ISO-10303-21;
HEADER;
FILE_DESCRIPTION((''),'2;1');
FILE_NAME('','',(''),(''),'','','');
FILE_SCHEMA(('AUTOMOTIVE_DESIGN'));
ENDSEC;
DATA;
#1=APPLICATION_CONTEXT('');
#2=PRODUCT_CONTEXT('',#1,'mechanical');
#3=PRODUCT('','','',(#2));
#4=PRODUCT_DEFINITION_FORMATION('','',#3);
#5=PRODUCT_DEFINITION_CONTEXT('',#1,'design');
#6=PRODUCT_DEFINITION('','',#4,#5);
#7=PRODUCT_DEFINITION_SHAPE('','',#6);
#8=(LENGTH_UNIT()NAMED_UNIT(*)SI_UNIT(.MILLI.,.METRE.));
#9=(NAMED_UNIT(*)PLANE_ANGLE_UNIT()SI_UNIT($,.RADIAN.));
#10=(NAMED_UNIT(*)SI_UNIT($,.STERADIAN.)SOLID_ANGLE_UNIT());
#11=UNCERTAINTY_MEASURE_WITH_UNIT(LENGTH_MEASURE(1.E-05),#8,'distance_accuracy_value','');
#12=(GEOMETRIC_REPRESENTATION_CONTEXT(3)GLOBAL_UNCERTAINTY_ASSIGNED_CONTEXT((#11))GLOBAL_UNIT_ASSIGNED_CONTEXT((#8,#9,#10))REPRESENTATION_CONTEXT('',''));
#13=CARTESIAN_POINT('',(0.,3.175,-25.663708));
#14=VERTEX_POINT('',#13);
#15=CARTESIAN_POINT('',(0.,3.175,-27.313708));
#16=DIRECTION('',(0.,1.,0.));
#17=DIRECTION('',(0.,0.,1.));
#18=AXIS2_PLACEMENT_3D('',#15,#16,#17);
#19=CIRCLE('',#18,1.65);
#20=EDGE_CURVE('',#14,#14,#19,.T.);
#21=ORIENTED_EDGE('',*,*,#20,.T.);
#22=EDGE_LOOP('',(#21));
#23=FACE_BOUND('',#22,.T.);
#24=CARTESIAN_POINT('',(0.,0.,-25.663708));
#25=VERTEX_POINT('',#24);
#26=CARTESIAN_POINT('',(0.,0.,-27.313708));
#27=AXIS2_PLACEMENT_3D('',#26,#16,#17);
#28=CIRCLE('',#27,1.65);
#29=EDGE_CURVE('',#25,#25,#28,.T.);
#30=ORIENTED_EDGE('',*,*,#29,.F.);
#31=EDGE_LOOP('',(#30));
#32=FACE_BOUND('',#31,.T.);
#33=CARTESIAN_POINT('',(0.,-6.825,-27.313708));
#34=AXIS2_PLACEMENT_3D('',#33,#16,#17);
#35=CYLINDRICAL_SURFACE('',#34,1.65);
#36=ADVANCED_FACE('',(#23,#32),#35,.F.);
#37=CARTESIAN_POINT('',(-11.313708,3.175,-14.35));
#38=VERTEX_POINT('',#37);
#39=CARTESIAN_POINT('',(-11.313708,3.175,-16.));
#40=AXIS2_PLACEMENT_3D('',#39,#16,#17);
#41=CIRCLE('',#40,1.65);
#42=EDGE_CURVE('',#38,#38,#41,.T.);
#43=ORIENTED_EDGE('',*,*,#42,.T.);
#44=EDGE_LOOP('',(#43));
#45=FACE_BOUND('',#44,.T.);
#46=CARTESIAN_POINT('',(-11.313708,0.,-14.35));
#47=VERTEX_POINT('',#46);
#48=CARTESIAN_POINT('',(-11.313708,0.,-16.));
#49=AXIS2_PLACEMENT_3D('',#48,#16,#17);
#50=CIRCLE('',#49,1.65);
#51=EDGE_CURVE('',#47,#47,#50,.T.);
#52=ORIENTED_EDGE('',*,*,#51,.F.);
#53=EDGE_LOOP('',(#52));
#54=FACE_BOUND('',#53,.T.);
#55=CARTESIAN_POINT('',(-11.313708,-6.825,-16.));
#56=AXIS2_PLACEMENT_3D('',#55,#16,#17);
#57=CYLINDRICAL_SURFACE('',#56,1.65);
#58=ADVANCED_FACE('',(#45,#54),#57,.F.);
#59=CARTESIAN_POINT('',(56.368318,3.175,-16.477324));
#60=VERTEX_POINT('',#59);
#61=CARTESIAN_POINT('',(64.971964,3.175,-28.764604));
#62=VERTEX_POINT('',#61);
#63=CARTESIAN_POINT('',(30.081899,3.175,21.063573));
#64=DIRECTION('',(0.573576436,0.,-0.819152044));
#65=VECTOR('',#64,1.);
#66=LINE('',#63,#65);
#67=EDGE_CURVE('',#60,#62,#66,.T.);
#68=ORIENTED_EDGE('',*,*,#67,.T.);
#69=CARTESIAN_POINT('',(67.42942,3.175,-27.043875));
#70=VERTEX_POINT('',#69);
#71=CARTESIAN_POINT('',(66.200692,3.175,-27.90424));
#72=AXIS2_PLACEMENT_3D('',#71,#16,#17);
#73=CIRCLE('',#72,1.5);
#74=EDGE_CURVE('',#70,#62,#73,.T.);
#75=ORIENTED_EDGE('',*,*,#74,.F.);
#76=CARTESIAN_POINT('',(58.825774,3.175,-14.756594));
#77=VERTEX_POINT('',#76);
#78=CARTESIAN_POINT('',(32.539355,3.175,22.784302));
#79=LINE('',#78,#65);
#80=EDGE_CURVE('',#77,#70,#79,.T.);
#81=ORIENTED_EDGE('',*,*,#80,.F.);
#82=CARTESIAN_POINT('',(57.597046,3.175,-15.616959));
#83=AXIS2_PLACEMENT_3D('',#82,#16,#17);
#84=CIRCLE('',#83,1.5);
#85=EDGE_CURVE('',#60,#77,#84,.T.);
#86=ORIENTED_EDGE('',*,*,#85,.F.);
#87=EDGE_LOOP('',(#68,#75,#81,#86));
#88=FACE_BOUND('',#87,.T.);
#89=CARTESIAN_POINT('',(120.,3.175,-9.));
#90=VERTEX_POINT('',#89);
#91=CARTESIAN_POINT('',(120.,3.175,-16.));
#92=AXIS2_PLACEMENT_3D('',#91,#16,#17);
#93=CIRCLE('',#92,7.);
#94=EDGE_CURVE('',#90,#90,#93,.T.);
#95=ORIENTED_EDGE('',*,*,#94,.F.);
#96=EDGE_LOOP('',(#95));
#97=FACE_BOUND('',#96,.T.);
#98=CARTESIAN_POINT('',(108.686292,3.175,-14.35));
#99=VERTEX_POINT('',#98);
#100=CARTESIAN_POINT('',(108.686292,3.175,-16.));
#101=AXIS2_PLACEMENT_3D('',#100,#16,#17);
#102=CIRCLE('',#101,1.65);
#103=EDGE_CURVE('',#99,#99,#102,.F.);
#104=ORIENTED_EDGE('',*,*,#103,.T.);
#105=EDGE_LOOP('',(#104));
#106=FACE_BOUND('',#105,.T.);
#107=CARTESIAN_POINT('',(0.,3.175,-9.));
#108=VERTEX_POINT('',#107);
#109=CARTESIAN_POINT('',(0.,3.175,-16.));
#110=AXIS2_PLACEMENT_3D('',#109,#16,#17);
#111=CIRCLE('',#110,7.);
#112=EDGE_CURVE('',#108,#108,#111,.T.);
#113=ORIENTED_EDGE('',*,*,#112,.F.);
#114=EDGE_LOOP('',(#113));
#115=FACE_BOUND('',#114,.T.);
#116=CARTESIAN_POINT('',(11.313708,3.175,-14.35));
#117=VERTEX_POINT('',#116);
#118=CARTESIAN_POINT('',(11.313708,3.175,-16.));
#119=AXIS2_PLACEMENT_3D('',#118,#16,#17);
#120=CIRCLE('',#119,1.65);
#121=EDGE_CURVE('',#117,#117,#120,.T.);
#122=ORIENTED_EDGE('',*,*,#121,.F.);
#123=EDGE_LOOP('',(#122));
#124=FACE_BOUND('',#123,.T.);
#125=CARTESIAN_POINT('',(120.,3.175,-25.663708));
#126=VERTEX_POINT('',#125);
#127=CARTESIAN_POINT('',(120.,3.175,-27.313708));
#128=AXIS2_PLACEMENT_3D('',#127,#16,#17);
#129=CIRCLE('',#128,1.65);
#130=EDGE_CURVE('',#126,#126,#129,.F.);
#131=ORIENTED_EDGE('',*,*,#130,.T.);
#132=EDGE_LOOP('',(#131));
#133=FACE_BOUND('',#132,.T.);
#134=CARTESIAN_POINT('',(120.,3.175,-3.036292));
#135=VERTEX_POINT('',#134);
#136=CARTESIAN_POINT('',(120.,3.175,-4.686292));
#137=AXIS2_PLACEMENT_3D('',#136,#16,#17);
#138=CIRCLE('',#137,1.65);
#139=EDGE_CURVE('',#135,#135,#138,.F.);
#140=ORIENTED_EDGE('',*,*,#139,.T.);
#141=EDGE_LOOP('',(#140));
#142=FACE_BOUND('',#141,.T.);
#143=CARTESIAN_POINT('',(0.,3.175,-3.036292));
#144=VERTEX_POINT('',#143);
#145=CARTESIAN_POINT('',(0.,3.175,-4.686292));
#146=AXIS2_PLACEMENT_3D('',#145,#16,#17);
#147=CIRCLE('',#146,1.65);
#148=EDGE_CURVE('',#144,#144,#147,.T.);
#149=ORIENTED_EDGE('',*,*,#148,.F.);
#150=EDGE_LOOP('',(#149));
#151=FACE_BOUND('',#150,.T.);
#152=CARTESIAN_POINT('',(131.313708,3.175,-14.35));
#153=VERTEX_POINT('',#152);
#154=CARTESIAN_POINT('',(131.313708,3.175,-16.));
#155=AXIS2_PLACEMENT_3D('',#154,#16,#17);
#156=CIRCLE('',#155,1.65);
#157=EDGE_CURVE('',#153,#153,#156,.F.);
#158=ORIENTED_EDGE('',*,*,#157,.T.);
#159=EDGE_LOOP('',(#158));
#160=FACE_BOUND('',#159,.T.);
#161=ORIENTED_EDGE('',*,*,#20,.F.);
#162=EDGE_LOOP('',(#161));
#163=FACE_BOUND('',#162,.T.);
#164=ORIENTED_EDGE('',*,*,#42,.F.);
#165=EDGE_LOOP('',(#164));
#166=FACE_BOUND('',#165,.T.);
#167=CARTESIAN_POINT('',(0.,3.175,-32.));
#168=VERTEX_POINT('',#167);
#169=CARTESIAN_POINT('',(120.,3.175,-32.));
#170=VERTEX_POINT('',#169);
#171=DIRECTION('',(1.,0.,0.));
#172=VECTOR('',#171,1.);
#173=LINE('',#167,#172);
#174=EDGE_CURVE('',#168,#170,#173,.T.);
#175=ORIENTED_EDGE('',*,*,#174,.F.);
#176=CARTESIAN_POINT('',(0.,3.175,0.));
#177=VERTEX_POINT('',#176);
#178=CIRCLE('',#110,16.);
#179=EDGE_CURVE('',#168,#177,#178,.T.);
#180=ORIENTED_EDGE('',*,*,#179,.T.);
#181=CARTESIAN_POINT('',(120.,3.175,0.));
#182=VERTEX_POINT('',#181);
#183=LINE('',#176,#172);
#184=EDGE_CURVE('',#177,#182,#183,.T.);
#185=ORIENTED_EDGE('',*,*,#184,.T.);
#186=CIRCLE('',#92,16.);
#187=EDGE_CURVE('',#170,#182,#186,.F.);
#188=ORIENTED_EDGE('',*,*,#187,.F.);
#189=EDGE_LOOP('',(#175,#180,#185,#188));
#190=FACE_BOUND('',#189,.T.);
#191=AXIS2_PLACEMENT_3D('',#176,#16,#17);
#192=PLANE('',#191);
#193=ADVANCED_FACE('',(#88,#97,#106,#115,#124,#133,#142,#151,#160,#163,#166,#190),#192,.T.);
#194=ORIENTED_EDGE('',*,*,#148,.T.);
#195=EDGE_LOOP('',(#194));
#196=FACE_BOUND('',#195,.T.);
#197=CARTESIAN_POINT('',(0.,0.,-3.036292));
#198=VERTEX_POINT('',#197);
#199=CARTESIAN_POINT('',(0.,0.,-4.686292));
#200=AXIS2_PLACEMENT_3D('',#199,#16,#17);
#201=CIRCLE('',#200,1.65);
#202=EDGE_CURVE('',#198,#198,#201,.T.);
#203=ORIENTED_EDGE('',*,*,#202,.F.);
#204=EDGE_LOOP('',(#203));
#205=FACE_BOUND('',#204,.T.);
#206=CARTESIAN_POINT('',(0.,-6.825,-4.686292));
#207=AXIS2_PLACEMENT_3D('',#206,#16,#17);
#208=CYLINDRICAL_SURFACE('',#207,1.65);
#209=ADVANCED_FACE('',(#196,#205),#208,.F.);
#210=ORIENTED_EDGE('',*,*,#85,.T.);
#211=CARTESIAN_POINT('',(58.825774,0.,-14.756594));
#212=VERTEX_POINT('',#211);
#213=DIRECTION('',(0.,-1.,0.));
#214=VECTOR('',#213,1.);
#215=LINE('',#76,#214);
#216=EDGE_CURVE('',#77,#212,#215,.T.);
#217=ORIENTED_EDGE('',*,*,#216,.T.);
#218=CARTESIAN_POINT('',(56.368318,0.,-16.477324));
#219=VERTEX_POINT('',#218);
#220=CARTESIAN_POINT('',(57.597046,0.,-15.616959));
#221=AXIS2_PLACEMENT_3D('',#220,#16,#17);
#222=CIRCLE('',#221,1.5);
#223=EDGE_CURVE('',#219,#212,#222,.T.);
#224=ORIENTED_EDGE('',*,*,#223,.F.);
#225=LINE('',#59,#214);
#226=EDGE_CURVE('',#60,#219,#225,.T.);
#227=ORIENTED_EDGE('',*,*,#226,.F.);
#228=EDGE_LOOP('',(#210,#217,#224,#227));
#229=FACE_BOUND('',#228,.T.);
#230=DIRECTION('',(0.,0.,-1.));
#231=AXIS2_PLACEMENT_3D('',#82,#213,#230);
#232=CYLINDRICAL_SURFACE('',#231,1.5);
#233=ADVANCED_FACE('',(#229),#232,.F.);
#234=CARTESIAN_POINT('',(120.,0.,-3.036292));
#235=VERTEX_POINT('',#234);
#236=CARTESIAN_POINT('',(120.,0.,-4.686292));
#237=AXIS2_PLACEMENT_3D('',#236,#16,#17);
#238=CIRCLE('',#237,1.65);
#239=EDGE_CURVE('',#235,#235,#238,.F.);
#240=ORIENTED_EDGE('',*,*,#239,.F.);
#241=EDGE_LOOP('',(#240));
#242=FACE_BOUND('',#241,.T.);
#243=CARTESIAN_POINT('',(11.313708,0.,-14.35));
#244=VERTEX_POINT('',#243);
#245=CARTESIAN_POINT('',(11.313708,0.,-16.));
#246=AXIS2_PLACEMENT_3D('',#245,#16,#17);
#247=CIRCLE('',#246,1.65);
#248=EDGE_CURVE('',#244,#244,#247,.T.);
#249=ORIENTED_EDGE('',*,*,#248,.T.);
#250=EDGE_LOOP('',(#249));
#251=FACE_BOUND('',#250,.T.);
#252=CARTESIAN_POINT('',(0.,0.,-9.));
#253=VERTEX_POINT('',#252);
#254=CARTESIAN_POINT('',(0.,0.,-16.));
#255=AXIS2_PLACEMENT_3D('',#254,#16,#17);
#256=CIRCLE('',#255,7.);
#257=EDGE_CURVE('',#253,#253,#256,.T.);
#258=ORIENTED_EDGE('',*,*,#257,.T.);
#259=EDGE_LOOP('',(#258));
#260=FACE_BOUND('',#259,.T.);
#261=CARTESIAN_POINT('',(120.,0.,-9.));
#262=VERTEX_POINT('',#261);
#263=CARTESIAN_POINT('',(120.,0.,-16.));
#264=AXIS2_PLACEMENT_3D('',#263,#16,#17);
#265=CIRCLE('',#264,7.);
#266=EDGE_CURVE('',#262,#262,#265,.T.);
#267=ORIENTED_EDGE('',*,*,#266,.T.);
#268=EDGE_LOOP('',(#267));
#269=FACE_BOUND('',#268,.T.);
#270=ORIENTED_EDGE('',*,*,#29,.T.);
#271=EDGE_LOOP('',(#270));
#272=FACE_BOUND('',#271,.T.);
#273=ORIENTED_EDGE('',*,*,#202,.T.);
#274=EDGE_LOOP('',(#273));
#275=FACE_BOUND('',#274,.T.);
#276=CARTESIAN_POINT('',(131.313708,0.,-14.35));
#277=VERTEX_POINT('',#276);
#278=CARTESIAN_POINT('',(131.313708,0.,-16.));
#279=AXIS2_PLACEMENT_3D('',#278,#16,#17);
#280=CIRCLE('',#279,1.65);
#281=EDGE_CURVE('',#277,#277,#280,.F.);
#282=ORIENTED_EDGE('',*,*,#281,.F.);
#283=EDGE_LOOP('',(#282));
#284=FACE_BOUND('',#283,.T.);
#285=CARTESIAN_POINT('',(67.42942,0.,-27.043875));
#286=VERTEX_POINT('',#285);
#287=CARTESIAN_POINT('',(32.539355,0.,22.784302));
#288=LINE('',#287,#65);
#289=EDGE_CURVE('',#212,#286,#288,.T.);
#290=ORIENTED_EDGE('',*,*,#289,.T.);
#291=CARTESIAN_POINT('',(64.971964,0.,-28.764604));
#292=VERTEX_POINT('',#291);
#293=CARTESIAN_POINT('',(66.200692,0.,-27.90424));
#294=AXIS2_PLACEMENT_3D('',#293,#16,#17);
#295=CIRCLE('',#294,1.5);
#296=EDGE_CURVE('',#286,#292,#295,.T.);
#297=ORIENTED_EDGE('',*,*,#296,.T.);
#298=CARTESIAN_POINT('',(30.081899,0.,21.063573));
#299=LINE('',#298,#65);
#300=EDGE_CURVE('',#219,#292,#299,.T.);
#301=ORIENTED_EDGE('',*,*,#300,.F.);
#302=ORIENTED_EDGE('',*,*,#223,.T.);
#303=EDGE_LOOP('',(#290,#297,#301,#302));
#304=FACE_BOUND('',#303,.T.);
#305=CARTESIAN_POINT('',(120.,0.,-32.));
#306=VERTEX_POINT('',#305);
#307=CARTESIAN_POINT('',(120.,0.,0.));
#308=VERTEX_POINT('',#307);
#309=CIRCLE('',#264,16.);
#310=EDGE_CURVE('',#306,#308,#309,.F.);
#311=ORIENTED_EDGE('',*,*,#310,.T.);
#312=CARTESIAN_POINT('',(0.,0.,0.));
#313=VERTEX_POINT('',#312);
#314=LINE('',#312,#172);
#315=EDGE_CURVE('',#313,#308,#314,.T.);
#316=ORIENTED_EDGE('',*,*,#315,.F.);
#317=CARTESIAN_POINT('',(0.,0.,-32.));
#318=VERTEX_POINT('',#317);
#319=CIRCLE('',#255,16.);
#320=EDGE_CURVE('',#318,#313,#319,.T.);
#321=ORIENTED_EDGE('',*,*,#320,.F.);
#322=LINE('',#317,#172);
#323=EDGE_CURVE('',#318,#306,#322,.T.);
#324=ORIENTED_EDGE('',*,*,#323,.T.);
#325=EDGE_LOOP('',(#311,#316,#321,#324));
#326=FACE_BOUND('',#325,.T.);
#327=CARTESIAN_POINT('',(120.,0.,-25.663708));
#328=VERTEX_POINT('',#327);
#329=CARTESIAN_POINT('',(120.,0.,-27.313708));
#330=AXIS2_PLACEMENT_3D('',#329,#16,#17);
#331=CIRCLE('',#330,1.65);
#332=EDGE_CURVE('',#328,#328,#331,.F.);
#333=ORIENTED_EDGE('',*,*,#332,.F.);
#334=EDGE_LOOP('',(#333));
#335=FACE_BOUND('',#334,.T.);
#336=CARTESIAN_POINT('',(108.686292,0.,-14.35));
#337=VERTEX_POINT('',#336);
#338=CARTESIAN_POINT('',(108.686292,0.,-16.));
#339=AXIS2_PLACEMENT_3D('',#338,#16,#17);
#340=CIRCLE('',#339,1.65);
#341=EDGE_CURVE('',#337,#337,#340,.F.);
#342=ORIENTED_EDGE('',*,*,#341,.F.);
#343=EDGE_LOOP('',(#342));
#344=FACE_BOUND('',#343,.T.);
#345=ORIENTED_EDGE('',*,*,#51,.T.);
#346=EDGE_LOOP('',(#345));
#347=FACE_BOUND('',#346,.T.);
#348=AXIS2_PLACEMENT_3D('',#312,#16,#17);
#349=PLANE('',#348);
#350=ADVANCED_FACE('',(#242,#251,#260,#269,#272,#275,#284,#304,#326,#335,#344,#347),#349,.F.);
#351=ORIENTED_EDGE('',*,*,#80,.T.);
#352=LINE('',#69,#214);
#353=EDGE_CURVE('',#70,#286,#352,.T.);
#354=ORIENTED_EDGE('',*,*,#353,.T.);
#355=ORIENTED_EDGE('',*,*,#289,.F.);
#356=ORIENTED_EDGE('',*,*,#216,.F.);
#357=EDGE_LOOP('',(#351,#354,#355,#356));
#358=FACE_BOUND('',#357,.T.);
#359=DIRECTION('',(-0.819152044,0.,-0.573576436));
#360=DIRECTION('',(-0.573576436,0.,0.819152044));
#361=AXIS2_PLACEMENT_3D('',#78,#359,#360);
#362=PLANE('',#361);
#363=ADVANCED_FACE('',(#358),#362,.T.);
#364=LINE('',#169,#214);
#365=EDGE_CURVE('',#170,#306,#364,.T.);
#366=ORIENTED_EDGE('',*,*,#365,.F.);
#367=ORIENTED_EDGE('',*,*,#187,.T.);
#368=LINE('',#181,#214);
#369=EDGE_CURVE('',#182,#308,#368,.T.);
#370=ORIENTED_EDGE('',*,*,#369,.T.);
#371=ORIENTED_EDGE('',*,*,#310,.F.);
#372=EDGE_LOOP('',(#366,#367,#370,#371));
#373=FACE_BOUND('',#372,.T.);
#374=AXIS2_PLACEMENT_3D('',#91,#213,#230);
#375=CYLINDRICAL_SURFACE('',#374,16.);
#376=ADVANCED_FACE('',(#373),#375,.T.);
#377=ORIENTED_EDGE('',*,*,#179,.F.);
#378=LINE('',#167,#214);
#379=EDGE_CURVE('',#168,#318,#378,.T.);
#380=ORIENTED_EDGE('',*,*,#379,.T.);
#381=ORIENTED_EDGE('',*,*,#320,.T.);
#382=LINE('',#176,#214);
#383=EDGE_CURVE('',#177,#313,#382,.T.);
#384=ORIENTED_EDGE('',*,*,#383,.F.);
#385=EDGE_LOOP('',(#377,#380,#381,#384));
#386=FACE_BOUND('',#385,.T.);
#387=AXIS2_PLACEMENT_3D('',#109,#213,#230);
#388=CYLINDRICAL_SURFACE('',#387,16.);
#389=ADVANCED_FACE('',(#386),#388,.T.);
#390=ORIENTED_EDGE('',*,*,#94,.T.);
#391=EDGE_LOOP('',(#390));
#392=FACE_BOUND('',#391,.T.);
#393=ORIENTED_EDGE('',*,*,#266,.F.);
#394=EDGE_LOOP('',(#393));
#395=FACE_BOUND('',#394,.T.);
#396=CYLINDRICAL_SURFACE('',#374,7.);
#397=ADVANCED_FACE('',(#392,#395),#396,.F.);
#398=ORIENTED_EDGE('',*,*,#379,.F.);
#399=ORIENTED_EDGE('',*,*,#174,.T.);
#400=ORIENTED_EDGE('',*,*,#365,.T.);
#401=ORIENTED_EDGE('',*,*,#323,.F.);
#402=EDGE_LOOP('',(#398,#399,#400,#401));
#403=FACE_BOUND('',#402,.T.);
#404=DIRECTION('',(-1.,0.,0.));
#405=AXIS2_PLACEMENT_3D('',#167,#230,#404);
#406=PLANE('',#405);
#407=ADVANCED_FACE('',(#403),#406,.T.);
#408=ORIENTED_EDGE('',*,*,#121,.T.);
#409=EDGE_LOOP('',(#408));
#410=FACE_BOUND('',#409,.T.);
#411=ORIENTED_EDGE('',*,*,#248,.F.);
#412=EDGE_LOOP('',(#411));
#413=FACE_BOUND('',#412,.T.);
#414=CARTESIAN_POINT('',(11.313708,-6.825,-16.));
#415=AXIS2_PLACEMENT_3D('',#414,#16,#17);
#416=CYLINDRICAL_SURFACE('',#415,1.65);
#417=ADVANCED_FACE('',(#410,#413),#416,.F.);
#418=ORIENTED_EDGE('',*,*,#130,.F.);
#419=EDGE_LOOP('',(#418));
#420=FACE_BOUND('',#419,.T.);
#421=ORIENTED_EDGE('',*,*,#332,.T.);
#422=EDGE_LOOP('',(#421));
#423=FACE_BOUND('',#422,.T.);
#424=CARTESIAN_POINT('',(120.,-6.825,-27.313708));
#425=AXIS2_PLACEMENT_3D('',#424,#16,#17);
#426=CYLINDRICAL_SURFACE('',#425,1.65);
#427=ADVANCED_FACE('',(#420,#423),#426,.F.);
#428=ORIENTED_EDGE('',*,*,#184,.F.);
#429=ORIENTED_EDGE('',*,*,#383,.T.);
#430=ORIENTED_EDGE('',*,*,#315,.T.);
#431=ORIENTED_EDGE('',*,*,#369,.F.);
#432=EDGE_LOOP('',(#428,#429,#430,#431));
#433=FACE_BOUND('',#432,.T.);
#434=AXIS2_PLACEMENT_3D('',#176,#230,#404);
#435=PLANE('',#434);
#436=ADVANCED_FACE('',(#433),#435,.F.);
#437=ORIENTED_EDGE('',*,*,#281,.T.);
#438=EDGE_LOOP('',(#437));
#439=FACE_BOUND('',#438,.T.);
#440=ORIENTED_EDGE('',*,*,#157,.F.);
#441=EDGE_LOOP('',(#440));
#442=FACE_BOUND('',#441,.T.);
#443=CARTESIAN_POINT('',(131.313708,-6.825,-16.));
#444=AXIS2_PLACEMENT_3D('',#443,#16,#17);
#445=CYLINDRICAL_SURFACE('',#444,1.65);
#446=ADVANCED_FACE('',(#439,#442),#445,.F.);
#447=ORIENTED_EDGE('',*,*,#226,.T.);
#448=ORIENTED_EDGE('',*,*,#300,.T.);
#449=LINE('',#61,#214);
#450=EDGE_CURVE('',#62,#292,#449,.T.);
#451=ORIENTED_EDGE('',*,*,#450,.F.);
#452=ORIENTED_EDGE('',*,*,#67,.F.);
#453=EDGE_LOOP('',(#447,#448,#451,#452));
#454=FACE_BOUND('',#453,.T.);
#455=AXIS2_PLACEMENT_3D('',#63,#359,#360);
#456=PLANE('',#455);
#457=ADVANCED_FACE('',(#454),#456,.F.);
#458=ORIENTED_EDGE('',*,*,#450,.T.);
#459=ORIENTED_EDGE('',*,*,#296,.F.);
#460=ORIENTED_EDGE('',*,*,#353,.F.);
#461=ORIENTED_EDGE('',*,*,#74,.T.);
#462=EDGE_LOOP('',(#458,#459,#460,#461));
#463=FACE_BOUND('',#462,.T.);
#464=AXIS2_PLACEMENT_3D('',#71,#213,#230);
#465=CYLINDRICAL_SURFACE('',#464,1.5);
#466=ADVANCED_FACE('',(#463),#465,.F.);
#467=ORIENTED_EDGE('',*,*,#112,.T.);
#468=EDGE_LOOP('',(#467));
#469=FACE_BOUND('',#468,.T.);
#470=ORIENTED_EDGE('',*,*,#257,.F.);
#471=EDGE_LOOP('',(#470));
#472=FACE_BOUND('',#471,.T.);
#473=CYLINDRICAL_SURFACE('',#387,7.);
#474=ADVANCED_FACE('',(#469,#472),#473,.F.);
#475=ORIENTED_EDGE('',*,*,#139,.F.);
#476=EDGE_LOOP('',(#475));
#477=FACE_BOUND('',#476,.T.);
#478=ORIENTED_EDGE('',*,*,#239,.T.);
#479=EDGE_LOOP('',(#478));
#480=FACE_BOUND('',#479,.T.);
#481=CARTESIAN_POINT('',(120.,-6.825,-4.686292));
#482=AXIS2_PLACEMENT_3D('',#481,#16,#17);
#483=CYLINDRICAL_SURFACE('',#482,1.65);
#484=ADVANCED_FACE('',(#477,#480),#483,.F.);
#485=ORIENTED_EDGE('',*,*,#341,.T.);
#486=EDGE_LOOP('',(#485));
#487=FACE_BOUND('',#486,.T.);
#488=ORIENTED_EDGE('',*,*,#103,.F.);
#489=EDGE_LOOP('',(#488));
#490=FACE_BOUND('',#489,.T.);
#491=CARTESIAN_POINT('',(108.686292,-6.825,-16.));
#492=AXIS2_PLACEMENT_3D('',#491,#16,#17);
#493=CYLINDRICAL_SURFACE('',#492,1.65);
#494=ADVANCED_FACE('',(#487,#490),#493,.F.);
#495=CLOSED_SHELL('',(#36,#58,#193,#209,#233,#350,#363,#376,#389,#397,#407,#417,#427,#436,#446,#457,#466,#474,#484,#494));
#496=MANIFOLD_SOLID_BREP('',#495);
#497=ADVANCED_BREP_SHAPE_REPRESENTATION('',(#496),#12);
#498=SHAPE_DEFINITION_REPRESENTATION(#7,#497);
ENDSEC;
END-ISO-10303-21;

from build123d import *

# Parameters (mm, degrees)
SKETCH1_R           = 7
BOSS_EXTRUDE1_DEPTH = 3.175
SKETCH2_R           = 1.65
CUT_EXTRUDE1_DEPTH  = 10


with BuildPart() as part:
    # Sketch1 → Boss-Extrude1 (new body)
    with BuildSketch(Plane(origin=(0, 0, 0), x_dir=(1, 0, 0), z_dir=(0, 1, 0))):
        with BuildLine():
            Line((0, 0), (120, 0))
            ThreePointArc((120, 0), (136, 16), (120, 32))
            Line((120, 32), (0, 32))
            ThreePointArc((0, 32), (-16, 16), (0, 0))
        make_face()
        with Locations(Location((0, 16, 0), (0, 0, 270))):
            Circle(SKETCH1_R, mode=Mode.SUBTRACT)
        with Locations(Location((120, 16, 0), (0, 0, 270))):
            Circle(SKETCH1_R, mode=Mode.SUBTRACT)
        with BuildLine():
            Line((56.368317676, 16.477323769), (64.971964222, 28.764604433))
            ThreePointArc((64.971964222, 28.764604433), (67.061056942, 29.132967845), (67.429420354, 27.043875124))
            Line((67.429420354, 27.043875124), (58.825773809, 14.75659446))
            ThreePointArc((58.825773809, 14.75659446), (56.736681088, 14.388231048), (56.368317676, 16.477323769))
        make_face(mode=Mode.SUBTRACT)
    extrude(amount=BOSS_EXTRUDE1_DEPTH)

    # Sketch2 → Cut-Extrude1 (cut)
    with BuildSketch(Plane(origin=(0, 3.175, 0), x_dir=(1, 0, 0), z_dir=(0, 1, 0))):
        with Locations(Location((120, 27.313708499, 0), (0, 0, 270))):
            Circle(SKETCH2_R)
        with Locations(Location((108.686291501, 16, 0), (0, 0, 270))):
            Circle(SKETCH2_R)
        with Locations(Location((120, 4.686291501, 0), (0, 0, 270))):
            Circle(SKETCH2_R)
        with Locations(Location((131.313708499, 16, 0), (0, 0, 270))):
            Circle(SKETCH2_R)
        with Locations(Location((-11.313708499, 16, 0), (0, 0, 270))):
            Circle(SKETCH2_R)
        with Locations(Location((0, 27.313708499, 0), (0, 0, 270))):
            Circle(SKETCH2_R)
        with Locations(Location((11.313708499, 16, 0), (0, 0, 270))):
            Circle(SKETCH2_R)
        with Locations(Location((0, 4.686291501, 0), (0, 0, 270))):
            Circle(SKETCH2_R)
    extrude(amount=-CUT_EXTRUDE1_DEPTH, mode=Mode.SUBTRACT)


solid = part.part
